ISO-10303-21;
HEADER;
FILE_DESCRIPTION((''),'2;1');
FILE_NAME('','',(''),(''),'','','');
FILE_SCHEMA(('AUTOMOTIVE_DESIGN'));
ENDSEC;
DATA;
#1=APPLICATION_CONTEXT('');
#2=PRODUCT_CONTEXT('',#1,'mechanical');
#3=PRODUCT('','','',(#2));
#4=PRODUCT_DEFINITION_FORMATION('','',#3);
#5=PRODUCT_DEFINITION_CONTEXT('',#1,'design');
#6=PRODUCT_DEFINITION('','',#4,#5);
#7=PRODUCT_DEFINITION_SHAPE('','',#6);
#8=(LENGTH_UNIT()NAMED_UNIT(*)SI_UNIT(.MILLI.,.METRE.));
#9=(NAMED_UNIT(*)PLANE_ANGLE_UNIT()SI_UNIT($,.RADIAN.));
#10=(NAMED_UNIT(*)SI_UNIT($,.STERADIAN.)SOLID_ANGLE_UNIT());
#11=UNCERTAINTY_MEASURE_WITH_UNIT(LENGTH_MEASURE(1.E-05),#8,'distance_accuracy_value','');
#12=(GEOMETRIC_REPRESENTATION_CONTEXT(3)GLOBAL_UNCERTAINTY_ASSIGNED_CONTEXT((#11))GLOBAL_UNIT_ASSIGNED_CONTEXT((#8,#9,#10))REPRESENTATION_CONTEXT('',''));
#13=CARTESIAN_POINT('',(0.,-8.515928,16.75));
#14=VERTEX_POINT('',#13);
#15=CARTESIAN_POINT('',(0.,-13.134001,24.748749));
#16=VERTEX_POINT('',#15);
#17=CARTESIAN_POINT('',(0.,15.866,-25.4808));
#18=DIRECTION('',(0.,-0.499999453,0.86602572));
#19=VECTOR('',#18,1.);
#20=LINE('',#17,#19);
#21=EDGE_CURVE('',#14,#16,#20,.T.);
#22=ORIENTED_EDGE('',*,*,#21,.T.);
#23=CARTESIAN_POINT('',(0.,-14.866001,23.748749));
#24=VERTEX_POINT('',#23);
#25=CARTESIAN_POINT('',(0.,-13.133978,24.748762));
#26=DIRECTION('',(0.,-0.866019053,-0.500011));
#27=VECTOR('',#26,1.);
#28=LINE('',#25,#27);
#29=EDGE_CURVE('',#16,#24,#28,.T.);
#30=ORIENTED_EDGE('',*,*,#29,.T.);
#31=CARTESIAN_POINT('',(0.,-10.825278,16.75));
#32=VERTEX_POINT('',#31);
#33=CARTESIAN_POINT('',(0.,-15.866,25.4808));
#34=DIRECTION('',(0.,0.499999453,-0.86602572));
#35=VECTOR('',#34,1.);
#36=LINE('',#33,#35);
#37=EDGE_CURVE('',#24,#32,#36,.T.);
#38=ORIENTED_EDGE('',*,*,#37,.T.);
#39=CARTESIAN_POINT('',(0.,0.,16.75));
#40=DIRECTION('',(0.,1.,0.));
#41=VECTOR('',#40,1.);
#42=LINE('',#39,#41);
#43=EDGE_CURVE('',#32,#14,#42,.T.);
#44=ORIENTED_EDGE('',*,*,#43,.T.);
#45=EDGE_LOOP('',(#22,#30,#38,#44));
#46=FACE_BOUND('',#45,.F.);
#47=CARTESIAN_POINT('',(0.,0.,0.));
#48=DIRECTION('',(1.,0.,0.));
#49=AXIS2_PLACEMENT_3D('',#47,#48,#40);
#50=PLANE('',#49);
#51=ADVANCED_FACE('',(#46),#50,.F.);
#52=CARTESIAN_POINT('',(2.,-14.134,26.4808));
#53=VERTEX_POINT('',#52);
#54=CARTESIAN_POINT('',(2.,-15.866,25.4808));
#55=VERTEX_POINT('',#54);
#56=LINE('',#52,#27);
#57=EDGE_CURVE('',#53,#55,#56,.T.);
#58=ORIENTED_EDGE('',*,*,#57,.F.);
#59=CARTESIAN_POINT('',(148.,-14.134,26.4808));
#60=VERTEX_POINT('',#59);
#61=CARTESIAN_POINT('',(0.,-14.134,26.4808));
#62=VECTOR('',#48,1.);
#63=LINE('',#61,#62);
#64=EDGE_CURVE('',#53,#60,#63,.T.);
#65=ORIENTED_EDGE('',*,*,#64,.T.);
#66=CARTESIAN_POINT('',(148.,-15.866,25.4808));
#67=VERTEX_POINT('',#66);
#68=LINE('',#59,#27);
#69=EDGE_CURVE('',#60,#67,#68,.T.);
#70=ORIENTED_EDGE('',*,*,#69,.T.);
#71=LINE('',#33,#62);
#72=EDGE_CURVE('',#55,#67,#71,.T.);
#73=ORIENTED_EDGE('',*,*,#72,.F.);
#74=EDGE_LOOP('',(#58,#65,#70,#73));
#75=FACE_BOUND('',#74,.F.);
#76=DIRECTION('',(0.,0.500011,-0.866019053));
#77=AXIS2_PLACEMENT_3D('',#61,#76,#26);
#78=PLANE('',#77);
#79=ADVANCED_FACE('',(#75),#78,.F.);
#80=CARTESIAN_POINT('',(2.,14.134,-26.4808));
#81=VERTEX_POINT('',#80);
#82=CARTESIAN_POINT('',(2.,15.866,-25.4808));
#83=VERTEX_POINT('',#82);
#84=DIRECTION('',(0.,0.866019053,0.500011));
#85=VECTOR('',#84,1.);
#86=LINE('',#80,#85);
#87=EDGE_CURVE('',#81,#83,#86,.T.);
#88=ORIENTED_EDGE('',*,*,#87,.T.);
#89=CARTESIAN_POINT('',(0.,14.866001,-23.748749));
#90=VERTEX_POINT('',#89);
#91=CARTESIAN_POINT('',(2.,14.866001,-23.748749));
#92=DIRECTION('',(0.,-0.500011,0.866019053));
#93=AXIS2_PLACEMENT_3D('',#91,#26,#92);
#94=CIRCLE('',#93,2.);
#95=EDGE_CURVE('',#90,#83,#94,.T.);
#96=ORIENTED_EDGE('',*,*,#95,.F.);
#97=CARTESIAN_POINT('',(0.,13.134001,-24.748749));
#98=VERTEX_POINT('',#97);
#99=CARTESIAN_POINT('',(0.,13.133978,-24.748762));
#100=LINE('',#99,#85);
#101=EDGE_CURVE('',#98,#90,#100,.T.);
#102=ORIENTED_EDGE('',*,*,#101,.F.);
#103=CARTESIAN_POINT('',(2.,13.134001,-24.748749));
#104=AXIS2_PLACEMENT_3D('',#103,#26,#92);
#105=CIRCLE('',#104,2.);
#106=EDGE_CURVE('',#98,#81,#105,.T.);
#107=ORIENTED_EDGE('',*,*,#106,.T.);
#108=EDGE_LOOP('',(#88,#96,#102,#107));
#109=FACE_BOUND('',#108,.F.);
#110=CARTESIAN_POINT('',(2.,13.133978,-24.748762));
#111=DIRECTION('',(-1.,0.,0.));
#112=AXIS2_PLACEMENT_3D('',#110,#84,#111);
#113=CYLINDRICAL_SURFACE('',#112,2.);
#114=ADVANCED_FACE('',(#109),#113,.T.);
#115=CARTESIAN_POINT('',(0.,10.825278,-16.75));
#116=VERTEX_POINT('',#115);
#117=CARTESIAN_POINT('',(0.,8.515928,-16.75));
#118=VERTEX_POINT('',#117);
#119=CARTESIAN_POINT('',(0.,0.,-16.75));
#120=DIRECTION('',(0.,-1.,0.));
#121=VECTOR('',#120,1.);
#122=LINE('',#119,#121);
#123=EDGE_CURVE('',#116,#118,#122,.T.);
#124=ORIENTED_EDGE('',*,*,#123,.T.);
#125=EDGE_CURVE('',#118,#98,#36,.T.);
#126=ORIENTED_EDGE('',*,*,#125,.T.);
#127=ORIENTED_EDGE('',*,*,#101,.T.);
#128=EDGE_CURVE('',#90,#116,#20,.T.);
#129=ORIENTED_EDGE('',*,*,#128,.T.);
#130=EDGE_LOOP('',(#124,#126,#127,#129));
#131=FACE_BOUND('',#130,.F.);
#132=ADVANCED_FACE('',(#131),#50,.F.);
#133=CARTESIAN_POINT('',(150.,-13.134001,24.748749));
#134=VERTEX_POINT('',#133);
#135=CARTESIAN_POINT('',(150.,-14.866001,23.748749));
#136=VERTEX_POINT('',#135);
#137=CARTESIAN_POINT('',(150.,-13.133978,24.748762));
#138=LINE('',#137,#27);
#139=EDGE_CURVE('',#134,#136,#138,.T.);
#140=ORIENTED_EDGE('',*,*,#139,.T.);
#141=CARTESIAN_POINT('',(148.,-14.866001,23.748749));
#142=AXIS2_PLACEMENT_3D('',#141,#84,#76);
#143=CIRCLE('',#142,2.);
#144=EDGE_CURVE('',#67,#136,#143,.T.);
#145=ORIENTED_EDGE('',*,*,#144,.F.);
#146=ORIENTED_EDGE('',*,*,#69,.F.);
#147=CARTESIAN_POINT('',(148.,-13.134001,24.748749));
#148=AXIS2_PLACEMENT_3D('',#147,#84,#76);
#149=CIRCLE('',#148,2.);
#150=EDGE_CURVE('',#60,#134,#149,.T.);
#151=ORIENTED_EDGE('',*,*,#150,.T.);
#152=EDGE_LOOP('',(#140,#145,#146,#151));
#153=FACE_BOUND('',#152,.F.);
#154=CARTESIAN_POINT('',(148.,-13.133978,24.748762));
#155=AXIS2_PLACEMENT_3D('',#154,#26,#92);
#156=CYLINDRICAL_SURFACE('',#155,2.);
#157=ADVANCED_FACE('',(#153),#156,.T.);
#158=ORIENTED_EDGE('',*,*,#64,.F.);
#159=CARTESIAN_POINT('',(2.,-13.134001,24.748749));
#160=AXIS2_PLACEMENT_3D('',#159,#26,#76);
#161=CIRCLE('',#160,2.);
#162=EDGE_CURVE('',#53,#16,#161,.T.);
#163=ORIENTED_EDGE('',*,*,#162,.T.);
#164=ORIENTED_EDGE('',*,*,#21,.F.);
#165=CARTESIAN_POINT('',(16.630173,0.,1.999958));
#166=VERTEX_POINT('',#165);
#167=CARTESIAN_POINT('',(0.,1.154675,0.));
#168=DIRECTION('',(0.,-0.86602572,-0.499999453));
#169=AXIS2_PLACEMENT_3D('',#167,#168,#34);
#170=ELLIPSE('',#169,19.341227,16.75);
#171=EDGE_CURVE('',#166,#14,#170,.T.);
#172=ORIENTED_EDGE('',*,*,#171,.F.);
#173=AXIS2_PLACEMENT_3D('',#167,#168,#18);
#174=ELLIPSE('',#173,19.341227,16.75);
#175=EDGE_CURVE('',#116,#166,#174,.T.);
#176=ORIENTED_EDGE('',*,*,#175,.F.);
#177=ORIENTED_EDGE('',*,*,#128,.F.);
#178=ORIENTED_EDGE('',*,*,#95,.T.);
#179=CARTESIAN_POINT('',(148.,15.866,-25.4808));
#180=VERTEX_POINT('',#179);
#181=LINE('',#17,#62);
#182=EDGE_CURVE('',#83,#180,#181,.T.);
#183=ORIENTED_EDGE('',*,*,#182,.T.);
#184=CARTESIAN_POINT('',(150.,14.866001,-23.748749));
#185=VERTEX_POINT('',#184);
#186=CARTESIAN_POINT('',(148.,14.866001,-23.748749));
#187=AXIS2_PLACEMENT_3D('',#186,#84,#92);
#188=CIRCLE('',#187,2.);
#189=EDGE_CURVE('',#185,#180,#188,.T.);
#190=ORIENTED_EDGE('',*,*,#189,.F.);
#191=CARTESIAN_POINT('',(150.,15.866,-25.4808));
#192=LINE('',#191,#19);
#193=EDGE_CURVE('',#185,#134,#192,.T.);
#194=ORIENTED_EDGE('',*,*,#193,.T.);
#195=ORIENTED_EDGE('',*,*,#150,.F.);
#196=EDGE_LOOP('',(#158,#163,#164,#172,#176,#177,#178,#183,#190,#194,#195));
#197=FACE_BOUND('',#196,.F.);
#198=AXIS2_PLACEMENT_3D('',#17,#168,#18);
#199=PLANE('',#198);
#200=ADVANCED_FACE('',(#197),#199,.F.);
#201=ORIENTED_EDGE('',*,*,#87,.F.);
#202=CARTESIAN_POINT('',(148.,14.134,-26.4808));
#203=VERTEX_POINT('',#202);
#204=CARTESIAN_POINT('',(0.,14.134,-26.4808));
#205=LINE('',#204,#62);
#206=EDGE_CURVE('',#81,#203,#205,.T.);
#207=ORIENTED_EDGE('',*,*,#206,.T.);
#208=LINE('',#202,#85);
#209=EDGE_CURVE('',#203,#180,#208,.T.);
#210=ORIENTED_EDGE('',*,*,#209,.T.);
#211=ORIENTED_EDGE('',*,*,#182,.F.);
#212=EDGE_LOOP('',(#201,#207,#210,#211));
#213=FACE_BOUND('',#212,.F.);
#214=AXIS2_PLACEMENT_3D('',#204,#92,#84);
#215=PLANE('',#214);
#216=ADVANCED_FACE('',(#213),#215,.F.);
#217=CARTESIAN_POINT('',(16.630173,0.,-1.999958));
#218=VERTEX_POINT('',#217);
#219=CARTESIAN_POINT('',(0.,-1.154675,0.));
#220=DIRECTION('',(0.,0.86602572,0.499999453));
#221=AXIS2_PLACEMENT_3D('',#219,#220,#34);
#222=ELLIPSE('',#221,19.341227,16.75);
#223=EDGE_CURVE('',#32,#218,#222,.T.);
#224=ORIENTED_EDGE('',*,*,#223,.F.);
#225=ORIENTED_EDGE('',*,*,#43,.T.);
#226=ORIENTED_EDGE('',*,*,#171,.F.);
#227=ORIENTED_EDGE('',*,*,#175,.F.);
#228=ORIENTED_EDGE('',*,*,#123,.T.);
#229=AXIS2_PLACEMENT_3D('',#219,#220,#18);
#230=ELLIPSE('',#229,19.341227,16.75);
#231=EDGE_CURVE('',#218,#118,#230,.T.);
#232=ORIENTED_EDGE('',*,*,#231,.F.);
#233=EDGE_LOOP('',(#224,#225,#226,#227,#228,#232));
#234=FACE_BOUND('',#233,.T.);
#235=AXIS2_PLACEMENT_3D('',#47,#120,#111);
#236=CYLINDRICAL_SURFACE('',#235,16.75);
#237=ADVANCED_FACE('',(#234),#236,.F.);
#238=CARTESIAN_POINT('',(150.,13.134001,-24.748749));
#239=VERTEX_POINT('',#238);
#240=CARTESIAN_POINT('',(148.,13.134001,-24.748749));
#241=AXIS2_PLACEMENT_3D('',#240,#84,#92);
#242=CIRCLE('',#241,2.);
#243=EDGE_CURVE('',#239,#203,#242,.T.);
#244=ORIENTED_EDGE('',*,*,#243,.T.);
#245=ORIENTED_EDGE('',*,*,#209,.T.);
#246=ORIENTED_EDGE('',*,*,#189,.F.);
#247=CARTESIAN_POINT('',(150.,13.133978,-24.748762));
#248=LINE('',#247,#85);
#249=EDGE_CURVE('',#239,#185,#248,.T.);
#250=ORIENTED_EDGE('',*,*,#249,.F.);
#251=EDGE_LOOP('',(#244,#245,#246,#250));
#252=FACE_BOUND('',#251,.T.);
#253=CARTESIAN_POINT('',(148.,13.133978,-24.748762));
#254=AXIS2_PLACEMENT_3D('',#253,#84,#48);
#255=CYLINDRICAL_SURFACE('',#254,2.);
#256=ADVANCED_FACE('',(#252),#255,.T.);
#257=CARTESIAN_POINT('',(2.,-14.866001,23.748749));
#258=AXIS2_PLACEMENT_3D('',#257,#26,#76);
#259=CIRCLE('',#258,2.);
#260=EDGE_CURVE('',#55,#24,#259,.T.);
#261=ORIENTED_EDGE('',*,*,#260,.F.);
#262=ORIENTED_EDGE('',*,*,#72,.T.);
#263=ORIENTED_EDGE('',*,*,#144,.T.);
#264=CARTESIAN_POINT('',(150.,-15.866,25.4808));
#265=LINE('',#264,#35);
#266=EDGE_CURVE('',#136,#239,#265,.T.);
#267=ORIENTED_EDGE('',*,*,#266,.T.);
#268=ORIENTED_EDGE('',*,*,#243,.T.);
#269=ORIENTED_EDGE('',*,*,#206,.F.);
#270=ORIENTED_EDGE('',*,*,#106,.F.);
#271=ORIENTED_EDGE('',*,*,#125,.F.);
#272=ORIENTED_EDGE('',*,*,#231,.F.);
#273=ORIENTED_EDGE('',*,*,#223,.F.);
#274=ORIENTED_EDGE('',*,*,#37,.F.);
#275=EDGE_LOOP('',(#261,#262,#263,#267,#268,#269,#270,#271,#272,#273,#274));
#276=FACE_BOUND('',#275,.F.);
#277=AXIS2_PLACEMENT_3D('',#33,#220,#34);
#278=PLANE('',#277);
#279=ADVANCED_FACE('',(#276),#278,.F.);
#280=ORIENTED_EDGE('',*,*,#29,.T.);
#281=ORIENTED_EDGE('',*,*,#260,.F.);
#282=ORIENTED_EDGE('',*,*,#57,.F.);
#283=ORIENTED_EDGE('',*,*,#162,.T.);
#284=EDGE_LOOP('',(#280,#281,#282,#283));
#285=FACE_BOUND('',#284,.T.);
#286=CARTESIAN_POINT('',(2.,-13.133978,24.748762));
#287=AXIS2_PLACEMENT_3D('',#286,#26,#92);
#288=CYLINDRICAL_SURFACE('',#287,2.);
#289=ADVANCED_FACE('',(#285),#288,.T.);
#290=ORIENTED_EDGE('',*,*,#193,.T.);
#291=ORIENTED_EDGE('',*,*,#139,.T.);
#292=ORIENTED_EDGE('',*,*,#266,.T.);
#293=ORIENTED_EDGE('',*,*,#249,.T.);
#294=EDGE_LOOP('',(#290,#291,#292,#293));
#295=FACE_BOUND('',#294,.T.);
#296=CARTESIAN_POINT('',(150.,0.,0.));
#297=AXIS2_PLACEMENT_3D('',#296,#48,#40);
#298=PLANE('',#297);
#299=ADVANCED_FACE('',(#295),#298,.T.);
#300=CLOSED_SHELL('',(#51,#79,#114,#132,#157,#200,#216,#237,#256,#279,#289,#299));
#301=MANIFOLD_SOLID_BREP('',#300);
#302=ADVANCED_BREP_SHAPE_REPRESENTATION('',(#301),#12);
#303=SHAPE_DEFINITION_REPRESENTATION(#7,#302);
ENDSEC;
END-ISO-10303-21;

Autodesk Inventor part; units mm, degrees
ref_plane "YZ Plane" through (0, 0, 0) normal (1, 0, 0) x (0, 1, 0)
ref_plane "XZ Plane" through (0, 0, 0) normal (0, 1, 0) x (-1, 0, 0)
ref_plane "XY Plane" through (0, 0, 0) normal (0, 0, 1) x (1, 0, 0)
sketch "Sketch1" plane through (0, 0, 0) normal (1, 0, 0) x (0, 1, 0)
  line L0 (-15.866, 25.4808) -> (14.134, -26.4808)
  line L1 (14.134, -26.4808) -> (15.866, -25.4808)
  line L2 (15.866, -25.4808) -> (-14.134, 26.4808)
  line L3 (-14.134, 26.4808) -> (-15.866, 25.4808)
  line L4 (-15.866, 25.4808) -> (15.866, -25.4808) construction
  line L5 (14.134, -26.4808) -> (-14.134, 26.4808) construction
  line L6 (-15.866, 25.4808) -> (44.134, 25.4808) construction
  point P0 (0, 0)
  dimension "d0" = 60
  dimension "d1" = 60
  dimension "d2" = 2
extrude "Extrusion1" add sketch "Sketch1" along normal blind 150
sketch "Sketch2" plane through (0, 0, 0) normal (0, 1, 0) x (-1, 0, 0)
  circle A0 centre (0, 0) radius 16.75
  dimension "d5" = 33.5
extrude "Extrusion2" cut sketch "Sketch2" along normal through all both and the other way through all
fillet "Fillet1" radius 2 4 edges at (150, -15, 25.9808) (150, 15, -25.9808) (0, -15, 25.9808) (0, 15, -25.9808)
equation "\"BendRadius\" = Thickness"
equation "\"BendReliefWidth\" = Thickness"
equation "\"BendReliefDepth\" = 0.5 * Thickness"
equation "\"CornerReliefSize\" = 4 * Thickness"
equation "\"MinimumRemnant\" = 2 * Thickness"
equation "\"TransitionRadius\" = BendRadius"
equation "\"JacobiRadiusSize\" = BendRadius"
equation "\"GapSize\" = Thickness"
equation "\"Thickness\" = 2"
properties part number "лопасть" material "Stainless Steel"
